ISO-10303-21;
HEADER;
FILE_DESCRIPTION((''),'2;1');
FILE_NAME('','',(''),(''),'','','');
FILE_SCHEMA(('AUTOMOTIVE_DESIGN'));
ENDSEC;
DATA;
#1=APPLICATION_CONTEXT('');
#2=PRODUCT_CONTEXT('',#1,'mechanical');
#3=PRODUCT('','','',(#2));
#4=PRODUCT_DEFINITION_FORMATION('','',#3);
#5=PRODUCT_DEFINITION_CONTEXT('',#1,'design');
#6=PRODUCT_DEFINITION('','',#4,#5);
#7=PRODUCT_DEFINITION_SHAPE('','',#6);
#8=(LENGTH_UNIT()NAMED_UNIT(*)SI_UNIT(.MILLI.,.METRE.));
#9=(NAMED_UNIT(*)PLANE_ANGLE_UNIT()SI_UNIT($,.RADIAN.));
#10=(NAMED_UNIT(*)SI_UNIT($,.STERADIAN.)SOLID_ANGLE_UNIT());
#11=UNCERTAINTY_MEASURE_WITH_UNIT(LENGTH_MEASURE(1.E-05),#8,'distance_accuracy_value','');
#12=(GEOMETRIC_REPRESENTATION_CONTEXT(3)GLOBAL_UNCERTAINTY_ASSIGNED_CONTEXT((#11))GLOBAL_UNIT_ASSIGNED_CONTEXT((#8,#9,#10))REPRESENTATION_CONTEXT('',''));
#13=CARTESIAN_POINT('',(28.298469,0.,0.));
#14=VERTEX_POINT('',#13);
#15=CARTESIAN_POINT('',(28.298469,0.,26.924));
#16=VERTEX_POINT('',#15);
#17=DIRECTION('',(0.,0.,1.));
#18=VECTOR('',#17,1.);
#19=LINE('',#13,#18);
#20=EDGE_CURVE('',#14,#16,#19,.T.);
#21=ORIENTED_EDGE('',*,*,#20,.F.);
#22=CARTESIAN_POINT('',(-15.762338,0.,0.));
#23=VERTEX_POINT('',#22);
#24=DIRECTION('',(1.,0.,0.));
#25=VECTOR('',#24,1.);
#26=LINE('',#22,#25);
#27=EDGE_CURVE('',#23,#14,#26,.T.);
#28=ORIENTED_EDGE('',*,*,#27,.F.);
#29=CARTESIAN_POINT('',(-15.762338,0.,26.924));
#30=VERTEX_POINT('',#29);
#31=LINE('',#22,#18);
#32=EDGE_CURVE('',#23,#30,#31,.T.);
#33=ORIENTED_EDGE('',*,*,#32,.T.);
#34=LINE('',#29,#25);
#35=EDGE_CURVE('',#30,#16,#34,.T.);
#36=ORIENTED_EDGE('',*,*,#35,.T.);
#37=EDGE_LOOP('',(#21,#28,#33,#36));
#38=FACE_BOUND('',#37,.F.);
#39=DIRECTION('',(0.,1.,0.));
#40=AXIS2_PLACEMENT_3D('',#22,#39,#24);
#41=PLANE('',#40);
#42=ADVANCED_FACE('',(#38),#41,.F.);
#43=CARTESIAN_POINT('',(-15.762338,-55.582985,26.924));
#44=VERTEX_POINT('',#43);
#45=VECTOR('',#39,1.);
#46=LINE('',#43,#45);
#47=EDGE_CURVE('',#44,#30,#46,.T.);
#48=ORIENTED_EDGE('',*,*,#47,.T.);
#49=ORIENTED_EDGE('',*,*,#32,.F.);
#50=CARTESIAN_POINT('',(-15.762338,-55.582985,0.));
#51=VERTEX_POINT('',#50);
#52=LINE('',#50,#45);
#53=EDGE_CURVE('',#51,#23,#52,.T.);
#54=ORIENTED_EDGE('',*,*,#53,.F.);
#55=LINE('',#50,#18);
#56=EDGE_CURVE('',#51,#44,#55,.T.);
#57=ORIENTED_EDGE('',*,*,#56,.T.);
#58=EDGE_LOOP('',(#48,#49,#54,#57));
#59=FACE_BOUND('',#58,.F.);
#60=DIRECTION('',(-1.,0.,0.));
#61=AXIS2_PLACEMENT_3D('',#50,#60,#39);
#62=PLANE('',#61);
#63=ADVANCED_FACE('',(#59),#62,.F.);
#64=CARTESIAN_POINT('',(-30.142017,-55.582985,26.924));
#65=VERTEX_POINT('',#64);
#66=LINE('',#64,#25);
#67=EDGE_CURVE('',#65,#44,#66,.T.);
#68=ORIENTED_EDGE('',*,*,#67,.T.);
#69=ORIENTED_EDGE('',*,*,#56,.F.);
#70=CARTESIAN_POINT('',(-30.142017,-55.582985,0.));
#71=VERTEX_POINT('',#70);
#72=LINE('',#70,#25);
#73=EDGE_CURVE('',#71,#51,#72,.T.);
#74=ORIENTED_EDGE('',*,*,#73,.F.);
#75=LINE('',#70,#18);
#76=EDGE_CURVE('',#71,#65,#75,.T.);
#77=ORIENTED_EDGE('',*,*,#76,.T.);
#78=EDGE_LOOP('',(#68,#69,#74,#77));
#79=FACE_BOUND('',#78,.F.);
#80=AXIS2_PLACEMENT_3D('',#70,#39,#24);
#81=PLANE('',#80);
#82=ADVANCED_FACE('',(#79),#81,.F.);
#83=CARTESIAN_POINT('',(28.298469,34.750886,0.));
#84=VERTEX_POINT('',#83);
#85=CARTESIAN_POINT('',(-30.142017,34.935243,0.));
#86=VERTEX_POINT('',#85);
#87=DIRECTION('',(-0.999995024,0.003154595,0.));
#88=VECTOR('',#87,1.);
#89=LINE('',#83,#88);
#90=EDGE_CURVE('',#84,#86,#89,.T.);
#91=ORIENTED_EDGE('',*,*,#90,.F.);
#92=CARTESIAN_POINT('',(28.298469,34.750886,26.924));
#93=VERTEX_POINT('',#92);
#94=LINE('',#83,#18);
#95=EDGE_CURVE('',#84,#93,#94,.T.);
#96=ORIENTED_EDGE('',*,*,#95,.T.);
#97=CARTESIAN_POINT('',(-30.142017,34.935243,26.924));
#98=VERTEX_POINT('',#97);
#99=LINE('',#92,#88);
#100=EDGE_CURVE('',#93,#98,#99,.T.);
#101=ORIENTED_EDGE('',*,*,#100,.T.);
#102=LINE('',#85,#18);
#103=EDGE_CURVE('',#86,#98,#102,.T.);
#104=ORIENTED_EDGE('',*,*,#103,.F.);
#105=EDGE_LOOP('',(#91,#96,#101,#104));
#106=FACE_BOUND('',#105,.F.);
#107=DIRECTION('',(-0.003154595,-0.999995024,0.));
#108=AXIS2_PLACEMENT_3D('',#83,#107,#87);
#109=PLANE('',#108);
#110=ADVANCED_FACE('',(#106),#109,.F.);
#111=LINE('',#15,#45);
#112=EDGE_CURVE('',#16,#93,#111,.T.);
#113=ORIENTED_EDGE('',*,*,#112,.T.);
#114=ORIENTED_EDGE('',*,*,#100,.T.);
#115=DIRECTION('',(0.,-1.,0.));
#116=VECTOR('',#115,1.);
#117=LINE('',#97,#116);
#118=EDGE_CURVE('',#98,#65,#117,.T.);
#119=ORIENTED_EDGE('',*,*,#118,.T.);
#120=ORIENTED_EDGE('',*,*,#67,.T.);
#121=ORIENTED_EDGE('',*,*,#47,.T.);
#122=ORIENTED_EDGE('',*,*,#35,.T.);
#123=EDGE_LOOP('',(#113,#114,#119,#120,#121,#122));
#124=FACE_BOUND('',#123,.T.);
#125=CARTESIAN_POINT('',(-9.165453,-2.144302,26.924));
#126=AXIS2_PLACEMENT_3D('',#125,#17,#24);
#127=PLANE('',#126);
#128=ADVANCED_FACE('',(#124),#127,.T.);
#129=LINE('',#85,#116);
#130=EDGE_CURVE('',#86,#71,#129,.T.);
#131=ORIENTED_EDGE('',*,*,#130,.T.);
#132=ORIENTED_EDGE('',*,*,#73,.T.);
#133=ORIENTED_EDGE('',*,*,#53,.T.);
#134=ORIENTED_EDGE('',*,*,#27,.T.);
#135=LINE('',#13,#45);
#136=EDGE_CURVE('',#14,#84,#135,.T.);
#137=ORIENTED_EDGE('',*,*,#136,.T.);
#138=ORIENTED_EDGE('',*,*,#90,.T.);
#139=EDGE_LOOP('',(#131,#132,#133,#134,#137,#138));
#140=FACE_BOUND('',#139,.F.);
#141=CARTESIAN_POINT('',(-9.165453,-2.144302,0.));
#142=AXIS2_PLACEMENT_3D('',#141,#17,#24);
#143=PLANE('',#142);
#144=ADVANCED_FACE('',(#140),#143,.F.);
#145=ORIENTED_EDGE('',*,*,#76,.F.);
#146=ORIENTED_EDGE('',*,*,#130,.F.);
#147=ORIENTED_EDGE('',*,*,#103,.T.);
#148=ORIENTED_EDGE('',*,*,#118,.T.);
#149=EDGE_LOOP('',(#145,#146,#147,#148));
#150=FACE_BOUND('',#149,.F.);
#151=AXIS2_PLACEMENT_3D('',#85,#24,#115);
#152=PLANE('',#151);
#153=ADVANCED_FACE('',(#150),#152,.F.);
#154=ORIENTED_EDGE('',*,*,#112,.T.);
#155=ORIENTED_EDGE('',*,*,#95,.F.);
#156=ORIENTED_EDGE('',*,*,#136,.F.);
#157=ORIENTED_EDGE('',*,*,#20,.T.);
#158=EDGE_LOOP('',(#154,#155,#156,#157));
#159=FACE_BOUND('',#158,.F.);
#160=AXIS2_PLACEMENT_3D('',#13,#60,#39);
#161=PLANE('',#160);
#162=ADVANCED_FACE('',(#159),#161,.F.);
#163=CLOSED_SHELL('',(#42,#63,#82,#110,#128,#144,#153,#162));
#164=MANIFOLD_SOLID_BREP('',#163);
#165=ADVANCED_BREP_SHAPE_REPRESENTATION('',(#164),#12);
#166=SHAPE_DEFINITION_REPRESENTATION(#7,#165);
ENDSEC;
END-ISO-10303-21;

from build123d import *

# Parameters (mm, degrees)
F1_DEPTH = 26.924
F2_W     = 33.183874
F2_H     = 15.670162
F3_DEPTH = 10.922


with BuildPart() as f1:
    # F0 (on Top) → F1 (new body)
    with BuildSketch(Plane.XY):
        Polygon((28.298469, 34.750886), (-30.142017, 34.935243), (-30.142017, -55.582985), (-15.762338, -55.582985), (-15.762338, 0), (28.298469, 0), align=None)
    extrude(amount=F1_DEPTH)

    # F2 (on face) → F3 (join)
    with BuildSketch(Plane.XY.offset(26.924)):
        with Locations((2.304436, 16.223226)):
            Rectangle(F2_W, F2_H)
    extrude(amount=-F3_DEPTH)


solid = f1.part
